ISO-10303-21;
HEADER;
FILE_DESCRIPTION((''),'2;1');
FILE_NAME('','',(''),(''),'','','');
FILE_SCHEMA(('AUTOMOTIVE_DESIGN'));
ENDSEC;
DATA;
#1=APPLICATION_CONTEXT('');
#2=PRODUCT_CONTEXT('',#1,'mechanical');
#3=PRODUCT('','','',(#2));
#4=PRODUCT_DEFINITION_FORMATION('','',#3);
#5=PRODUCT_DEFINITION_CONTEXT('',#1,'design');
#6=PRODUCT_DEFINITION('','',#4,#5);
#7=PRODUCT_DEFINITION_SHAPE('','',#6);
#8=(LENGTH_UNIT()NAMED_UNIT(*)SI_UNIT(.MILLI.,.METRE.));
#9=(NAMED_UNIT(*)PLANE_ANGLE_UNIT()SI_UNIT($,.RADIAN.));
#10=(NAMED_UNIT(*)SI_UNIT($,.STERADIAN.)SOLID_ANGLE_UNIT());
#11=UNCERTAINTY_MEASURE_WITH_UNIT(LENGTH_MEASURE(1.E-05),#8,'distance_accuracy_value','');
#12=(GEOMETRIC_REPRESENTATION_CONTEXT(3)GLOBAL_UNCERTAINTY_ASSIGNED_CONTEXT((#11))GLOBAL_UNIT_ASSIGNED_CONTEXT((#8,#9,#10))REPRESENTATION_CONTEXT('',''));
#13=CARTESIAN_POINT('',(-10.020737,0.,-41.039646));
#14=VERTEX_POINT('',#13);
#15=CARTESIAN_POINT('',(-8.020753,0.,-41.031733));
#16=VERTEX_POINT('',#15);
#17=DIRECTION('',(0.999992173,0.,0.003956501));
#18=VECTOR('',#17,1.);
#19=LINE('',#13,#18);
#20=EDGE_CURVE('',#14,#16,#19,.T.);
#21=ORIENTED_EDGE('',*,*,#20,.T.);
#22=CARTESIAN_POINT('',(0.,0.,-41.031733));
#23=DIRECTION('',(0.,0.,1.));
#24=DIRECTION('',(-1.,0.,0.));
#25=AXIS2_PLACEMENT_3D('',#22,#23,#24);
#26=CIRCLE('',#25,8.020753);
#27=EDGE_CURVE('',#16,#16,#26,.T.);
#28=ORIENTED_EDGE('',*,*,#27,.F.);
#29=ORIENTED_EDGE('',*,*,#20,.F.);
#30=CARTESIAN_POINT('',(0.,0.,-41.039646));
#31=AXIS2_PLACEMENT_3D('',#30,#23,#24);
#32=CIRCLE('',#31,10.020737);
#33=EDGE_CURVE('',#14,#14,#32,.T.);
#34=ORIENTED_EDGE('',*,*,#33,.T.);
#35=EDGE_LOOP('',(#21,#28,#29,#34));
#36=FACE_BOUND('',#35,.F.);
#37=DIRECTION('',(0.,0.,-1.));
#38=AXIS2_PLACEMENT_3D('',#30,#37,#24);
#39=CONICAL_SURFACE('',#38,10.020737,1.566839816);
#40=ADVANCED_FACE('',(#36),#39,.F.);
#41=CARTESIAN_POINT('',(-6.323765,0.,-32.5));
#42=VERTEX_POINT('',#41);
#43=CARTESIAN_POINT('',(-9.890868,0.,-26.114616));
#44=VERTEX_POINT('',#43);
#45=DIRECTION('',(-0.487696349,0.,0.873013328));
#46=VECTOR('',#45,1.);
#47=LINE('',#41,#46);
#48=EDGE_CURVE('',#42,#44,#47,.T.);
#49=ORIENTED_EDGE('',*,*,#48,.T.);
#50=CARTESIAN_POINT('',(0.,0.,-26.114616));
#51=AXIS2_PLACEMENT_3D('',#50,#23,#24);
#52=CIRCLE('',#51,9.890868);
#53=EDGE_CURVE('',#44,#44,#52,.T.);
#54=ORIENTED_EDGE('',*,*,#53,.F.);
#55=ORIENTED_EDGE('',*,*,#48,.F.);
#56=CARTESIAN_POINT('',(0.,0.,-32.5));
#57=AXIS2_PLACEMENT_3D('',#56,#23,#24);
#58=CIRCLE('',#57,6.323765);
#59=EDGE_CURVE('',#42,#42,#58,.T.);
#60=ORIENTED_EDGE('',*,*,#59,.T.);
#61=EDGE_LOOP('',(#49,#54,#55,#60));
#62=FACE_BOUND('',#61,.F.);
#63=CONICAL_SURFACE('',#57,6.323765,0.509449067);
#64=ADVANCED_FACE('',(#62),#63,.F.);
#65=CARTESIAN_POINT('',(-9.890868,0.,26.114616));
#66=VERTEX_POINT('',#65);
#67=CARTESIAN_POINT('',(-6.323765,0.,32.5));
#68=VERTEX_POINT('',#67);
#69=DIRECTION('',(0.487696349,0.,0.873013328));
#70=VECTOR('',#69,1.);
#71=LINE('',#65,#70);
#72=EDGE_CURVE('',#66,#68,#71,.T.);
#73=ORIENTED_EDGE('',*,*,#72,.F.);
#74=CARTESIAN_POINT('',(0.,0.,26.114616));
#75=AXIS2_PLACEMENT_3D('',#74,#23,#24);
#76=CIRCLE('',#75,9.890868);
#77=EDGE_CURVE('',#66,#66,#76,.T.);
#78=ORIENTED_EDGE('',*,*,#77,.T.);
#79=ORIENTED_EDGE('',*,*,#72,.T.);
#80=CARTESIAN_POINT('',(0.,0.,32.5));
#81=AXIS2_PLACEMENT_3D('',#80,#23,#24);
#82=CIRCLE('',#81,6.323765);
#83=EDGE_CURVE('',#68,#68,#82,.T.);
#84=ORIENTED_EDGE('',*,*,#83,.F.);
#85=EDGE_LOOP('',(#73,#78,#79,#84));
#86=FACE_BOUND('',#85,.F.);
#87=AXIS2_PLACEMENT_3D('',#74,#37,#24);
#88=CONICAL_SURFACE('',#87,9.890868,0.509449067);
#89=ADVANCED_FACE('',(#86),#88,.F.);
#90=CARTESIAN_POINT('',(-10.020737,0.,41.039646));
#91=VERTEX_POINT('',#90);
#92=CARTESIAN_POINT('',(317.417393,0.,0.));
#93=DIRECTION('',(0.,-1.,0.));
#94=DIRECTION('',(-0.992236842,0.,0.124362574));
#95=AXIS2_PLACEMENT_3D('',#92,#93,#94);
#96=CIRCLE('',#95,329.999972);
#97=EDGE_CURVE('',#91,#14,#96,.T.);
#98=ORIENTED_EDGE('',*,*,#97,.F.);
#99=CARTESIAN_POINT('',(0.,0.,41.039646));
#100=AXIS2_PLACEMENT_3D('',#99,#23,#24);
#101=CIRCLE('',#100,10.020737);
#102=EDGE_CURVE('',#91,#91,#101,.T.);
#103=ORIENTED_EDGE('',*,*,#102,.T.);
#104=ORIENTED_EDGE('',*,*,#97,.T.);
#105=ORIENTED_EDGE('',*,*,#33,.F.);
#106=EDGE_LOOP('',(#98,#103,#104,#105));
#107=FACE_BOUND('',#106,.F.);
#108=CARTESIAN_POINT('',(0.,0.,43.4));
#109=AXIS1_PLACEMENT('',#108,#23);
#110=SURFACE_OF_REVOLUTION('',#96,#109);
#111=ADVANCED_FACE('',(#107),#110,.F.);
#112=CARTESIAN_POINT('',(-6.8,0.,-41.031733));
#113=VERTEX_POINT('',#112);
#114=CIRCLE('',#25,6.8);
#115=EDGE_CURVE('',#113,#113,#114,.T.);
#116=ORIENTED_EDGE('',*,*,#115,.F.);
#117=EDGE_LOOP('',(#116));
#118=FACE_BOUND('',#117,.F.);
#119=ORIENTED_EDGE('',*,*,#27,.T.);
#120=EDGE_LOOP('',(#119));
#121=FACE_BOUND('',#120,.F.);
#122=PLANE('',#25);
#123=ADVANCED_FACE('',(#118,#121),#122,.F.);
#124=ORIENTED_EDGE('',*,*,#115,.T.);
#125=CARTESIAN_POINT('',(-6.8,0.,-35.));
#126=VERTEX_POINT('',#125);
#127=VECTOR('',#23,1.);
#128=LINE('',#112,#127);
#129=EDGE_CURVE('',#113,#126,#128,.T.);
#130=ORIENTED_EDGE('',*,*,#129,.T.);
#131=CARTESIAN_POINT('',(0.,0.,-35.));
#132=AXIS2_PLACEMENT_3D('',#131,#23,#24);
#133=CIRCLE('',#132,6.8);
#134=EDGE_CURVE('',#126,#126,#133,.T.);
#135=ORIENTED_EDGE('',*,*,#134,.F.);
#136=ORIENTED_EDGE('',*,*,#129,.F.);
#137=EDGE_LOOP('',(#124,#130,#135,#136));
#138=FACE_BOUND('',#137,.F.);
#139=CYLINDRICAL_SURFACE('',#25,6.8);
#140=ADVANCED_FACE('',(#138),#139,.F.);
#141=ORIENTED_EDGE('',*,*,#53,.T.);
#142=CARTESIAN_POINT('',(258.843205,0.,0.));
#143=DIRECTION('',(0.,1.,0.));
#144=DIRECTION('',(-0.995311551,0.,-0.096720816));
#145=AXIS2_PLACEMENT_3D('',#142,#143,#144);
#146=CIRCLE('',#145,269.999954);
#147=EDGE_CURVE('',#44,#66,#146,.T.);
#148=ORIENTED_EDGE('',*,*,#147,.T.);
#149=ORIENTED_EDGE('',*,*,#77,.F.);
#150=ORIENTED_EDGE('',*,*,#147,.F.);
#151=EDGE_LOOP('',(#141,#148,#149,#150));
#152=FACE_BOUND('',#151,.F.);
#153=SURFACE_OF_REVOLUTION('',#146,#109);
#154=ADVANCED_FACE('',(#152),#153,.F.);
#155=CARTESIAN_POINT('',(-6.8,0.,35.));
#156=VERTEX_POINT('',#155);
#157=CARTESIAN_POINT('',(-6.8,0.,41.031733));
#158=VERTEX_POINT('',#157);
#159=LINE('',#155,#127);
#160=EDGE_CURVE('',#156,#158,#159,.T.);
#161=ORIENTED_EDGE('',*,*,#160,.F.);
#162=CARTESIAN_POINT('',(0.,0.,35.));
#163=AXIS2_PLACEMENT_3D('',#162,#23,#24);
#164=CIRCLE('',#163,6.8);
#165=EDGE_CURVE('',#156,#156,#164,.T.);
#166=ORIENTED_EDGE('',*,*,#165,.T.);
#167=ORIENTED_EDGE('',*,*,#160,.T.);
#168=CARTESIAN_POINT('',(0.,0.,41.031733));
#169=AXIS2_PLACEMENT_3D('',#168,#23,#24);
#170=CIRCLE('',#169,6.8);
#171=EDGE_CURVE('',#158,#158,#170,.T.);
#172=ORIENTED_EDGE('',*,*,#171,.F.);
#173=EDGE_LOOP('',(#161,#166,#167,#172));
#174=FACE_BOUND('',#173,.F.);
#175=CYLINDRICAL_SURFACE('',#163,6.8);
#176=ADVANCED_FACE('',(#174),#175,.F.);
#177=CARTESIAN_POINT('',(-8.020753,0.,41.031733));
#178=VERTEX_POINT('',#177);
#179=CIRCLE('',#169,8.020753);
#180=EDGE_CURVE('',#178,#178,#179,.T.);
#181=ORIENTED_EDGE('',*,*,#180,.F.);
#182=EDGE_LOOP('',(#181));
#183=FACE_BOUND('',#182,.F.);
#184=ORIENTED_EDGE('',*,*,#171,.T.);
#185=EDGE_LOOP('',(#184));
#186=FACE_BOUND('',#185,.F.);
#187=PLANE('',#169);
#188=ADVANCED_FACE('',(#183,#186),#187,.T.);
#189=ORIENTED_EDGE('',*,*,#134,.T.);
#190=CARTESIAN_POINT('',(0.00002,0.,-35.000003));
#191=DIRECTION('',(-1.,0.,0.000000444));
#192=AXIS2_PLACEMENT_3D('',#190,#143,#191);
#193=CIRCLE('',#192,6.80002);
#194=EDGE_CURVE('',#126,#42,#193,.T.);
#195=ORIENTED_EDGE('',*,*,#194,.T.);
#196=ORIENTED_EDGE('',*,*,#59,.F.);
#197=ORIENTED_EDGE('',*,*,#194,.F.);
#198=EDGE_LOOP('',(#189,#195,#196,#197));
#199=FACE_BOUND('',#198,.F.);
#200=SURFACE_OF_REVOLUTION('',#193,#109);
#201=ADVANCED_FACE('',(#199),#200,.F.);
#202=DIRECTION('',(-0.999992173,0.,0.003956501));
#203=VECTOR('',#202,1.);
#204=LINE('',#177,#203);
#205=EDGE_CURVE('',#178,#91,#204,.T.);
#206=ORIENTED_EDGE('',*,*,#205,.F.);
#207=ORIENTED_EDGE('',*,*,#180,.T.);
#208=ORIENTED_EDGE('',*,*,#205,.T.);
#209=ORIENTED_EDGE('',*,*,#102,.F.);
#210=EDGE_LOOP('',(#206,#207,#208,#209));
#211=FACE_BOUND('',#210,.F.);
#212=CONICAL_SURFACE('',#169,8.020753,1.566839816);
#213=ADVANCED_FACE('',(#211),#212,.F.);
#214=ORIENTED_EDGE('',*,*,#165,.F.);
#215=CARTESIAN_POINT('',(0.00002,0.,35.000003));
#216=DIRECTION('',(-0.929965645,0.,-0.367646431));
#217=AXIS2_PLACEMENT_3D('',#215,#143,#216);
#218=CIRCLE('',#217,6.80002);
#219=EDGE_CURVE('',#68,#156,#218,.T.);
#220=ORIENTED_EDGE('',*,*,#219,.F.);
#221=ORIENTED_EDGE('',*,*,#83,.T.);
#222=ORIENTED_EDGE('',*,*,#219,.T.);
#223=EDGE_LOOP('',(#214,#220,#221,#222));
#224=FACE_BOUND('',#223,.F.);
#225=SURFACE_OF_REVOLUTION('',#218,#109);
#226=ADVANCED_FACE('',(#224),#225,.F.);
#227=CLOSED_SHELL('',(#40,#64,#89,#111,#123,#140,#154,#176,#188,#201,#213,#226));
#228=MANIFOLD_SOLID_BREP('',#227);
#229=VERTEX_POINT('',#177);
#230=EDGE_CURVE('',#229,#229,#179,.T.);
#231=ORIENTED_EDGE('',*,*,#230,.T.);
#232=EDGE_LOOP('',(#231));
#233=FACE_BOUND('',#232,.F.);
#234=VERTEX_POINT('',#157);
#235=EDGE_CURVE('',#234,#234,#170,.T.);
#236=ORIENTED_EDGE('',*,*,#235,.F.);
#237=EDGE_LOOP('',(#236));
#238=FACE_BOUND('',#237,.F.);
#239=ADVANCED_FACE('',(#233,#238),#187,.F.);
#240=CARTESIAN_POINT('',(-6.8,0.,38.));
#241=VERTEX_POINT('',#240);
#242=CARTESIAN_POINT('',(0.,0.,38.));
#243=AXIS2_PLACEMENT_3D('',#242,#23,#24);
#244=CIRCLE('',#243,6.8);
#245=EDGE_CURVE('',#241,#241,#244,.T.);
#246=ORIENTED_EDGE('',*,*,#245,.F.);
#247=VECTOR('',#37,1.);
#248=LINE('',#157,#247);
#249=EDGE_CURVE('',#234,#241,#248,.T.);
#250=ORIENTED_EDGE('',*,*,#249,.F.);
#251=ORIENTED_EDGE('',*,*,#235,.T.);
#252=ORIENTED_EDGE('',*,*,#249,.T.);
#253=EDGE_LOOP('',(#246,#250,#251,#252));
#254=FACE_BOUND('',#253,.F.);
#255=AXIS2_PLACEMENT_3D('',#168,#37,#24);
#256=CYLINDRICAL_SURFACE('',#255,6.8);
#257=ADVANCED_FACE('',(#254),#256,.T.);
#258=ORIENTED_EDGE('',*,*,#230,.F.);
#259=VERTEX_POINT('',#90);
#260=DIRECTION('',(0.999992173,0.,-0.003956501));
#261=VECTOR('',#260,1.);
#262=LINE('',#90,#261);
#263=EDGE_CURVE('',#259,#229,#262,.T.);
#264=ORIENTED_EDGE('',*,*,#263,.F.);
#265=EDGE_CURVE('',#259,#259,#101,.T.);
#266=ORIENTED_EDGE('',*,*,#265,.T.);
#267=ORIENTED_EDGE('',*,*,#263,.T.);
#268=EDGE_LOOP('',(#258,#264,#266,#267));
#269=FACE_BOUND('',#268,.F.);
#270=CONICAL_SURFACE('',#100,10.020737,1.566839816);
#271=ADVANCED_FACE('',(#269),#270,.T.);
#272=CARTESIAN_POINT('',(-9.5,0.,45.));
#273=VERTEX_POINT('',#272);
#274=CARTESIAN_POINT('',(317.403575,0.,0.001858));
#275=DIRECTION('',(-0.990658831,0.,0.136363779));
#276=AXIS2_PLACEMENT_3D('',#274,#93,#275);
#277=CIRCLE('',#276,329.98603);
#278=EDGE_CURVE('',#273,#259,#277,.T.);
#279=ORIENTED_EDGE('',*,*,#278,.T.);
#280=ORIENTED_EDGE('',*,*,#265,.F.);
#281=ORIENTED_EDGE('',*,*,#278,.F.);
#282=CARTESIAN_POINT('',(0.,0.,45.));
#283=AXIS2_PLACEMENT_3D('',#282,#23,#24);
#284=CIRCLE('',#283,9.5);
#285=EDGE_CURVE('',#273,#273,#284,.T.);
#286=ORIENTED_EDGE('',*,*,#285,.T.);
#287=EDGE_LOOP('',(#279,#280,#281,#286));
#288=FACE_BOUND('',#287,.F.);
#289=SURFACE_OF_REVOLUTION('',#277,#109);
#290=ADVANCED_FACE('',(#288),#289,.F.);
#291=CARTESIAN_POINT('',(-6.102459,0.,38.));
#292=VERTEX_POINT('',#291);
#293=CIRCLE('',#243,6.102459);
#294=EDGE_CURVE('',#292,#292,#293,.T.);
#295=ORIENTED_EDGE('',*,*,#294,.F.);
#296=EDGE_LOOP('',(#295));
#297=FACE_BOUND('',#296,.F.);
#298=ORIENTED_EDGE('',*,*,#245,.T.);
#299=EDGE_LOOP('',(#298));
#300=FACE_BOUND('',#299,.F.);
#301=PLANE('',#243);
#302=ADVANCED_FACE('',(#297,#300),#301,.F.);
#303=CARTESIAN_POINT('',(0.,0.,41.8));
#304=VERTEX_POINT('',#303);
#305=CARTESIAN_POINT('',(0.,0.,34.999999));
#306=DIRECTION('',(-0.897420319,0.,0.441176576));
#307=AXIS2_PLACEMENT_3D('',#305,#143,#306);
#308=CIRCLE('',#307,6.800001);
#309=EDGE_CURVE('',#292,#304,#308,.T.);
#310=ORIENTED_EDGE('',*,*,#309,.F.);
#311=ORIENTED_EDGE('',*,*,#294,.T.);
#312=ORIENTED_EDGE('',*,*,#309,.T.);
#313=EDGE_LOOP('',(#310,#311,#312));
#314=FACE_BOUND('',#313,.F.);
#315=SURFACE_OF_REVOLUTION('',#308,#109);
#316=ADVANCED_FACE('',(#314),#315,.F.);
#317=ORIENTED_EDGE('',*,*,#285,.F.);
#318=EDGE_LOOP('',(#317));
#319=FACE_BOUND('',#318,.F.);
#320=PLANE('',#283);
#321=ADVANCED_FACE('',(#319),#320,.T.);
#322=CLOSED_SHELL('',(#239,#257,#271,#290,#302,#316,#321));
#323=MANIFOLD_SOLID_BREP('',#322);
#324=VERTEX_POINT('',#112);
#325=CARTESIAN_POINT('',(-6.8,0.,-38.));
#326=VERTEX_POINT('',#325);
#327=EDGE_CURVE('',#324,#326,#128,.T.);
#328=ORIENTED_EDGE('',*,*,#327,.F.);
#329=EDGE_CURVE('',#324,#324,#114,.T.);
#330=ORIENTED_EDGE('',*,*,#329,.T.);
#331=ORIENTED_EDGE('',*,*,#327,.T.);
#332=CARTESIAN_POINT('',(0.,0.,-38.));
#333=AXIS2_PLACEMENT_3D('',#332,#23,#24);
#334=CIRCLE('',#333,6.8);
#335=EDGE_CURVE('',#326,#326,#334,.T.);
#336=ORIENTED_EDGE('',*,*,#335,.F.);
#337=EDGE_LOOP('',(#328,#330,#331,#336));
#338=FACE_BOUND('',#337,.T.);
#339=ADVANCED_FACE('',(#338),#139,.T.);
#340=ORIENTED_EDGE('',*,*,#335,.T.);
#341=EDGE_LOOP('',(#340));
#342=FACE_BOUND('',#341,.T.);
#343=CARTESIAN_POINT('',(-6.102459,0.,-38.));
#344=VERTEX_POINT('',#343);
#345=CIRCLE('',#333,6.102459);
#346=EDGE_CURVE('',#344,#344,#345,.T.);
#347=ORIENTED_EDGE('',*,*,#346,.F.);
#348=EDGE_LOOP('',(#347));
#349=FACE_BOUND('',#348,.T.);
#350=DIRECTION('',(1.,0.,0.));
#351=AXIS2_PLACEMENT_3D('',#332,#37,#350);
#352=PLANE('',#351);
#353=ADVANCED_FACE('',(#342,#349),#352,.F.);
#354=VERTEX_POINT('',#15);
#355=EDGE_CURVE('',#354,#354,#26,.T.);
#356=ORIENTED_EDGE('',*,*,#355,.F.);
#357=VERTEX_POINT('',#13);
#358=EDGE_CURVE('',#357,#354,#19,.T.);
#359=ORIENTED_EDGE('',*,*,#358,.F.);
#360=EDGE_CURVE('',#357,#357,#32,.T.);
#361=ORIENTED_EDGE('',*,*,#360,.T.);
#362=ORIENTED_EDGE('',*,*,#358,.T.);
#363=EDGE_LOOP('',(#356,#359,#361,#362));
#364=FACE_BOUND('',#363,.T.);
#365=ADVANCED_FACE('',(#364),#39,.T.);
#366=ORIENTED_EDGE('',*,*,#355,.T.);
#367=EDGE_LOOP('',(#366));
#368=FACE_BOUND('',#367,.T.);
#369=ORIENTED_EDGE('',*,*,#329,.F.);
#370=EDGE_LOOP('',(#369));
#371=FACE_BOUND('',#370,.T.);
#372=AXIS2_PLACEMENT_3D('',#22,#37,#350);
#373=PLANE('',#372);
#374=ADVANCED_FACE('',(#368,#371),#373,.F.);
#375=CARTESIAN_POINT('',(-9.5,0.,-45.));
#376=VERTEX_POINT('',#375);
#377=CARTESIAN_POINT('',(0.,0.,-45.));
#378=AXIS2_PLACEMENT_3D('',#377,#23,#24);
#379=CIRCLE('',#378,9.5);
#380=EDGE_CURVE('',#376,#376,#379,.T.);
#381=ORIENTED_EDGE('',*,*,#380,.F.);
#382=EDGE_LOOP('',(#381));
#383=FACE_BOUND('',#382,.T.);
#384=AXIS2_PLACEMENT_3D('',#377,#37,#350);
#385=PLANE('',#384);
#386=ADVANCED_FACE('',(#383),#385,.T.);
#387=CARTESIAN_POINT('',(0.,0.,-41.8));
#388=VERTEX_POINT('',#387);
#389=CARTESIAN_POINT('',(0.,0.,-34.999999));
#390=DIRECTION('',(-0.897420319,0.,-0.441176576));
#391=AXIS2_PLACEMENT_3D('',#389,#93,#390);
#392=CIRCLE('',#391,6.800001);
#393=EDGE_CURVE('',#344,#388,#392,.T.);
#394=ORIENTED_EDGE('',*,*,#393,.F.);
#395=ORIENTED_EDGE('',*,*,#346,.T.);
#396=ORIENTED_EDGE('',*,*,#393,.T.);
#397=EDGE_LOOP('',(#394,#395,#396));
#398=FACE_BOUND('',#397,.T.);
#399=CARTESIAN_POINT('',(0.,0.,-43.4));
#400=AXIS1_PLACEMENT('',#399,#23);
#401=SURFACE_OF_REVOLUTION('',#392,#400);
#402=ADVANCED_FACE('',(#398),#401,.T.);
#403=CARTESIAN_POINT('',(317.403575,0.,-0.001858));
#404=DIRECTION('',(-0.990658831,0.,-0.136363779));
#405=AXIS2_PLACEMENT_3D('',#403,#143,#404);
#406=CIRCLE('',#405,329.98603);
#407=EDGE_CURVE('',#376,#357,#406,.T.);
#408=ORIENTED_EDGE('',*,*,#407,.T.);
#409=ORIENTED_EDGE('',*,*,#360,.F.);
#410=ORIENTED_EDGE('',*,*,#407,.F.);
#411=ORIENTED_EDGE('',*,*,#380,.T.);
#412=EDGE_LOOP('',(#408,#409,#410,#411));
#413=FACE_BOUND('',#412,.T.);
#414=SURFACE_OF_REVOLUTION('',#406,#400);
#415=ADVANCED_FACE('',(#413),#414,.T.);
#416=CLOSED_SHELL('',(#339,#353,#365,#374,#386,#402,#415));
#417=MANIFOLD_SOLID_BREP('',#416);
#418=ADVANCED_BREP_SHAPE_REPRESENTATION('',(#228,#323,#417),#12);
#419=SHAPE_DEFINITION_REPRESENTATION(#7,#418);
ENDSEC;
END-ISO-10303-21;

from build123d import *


with BuildPart() as f1:
    # F0 (on Front) → F1 (revolve)
    with BuildSketch(Plane.XZ):
        with BuildLine():
            Line((-8.020753, 41.031733), (-10.020737, 41.039646))
            ThreePointArc((-10.020737, 41.039646), (-12.582579, 0), (-10.020737, -41.039646))
            Line((-10.020737, -41.039646), (-8.020753, -41.031733))
            Line((-8.020753, -41.031733), (-6.8, -41.031733))
            Line((-6.8, -41.031733), (-6.8, -35))
            ThreePointArc((-6.8, -35), (-6.67988, -33.727522), (-6.323765, -32.5))
            Line((-6.323765, -32.5), (-9.890868, -26.114616))
            ThreePointArc((-9.890868, -26.114616), (-11.156749, 0), (-9.890868, 26.114616))
            Line((-9.890868, 26.114616), (-6.323765, 32.5))
            ThreePointArc((-6.323765, 32.5), (-6.67988, 33.727522), (-6.8, 35))
            Line((-6.8, 35), (-6.8, 38))
            Line((-6.8, 38), (-6.8, 41.031733))
            Line((-6.8, 41.031733), (-8.020753, 41.031733))
        make_face()
    revolve(axis=Axis((0, 0, 43.4), (0, 0, 1)))


with BuildPart() as f2:
    # F0 (on Front) → F2 (revolve)
    with BuildSketch(Plane.XZ):
        with BuildLine():
            Line((0, 41.8), (0, 45))
            Line((0, 45), (-9.5, 45))
            ThreePointArc((-9.5, 45), (-9.766361, 43.020611), (-10.020737, 41.039646))
            Line((-10.020737, 41.039646), (-8.020753, 41.031733))
            Line((-8.020753, 41.031733), (-6.8, 41.031733))
            Line((-6.8, 41.031733), (-6.8, 38))
            Line((-6.8, 38), (-6.102459, 38))
            ThreePointArc((-6.102459, 38), (-3.59444, 40.772348), (0, 41.8))
        make_face()
    revolve(axis=Axis((0, 0, 43.4), (0, 0, 1)))


with BuildPart() as f3_1:
    # F3: instance of F2
    add(f2.part.mirror(Plane.XY))


solid = Compound([f1.part, f2.part, f3_1.part])
